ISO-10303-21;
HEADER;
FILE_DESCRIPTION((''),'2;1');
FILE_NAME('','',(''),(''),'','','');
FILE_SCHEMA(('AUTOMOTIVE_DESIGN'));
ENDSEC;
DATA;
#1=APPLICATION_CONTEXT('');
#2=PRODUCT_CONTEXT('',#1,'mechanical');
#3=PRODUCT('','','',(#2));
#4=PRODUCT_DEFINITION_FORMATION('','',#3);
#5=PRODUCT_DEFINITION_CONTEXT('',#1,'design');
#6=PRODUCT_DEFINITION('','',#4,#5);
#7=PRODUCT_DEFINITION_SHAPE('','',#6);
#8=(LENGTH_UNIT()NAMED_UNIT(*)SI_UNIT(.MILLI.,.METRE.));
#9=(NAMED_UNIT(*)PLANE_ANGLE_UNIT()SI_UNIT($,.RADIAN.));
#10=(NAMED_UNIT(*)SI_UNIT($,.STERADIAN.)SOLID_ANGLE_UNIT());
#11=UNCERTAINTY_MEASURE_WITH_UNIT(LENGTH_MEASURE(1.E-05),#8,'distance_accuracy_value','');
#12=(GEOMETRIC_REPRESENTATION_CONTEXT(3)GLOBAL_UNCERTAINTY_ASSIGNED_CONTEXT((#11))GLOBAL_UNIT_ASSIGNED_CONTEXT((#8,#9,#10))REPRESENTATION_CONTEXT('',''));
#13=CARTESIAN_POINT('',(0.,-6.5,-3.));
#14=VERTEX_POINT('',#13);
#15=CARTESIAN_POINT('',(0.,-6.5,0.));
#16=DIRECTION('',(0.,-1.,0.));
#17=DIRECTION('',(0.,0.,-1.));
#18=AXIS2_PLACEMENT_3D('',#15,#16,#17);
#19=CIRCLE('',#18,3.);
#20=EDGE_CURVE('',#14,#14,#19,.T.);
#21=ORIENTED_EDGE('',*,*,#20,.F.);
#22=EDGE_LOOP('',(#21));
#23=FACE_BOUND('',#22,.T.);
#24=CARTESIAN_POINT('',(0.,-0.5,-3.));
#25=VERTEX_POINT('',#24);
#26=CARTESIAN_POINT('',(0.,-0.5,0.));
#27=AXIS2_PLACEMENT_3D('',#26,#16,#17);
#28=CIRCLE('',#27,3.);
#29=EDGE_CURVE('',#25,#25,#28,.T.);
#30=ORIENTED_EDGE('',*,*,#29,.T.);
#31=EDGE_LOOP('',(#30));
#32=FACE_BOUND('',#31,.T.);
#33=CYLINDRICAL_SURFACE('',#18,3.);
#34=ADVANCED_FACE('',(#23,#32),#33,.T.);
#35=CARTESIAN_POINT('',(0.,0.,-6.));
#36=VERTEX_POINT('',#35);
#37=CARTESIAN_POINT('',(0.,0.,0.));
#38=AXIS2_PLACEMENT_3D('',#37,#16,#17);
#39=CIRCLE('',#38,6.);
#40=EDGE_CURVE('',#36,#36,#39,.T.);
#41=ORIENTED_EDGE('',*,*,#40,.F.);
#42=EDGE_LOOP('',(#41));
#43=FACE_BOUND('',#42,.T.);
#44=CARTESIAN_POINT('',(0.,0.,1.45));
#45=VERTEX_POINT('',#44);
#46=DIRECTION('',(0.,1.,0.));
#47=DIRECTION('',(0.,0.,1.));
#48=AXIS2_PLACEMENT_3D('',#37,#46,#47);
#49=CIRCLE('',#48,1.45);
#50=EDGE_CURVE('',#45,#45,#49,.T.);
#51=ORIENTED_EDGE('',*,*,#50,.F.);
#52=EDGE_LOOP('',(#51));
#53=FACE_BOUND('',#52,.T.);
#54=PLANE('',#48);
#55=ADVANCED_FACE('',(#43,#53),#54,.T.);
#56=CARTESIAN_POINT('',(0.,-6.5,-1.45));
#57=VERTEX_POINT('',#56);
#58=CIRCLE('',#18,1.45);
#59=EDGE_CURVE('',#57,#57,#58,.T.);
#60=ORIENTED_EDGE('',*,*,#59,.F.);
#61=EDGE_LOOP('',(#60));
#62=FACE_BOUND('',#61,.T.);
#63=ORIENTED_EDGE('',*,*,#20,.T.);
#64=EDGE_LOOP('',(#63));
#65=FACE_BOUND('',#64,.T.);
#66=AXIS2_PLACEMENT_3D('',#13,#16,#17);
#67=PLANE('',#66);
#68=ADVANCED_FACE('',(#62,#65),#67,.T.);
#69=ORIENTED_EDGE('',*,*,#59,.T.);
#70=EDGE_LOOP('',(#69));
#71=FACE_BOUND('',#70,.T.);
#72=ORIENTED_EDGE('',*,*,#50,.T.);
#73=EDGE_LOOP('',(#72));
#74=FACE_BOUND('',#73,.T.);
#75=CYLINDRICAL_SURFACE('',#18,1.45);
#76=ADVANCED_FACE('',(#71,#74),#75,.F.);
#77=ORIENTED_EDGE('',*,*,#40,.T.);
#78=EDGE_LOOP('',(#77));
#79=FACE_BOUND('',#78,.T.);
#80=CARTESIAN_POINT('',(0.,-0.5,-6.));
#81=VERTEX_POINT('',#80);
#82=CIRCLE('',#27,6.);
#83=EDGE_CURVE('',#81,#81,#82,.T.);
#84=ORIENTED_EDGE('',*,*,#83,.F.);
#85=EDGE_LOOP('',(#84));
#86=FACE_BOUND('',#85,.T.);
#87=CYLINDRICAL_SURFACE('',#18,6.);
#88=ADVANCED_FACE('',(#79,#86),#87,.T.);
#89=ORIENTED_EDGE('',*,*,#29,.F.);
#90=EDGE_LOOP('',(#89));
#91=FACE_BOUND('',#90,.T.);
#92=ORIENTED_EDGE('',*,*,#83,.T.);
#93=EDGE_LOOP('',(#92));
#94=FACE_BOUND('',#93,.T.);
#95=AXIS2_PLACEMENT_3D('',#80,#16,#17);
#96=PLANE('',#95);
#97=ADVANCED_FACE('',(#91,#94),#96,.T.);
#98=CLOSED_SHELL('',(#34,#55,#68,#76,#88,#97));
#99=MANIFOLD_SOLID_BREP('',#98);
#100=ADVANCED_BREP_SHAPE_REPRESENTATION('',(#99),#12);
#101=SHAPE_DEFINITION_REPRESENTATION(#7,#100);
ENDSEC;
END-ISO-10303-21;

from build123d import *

# Parameters (mm, degrees)
M3_5X0_6_TAPPED_HOLE1_D = 2.9


with BuildPart() as part:
    # Sketch1 → Revolve1 (revolve)
    with BuildSketch(Plane(origin=(0, 0, 0), x_dir=(0, 0, -1), z_dir=(1, 0, 0))):
        Polygon((0, 0), (6, 0), (6, -0.5), (3, -0.5), (3, -6.5), (0, -6.5), align=None)
    revolve(axis=Axis((0, -6.5, 0), (0, 1, 0)))

    # M3.5x0.6 Tapped Hole1 (through all)
    with Locations(Plane.XZ.offset(6.5)):
        with Locations((0, 0)):
            Hole(M3_5X0_6_TAPPED_HOLE1_D / 2)


solid = part.part
